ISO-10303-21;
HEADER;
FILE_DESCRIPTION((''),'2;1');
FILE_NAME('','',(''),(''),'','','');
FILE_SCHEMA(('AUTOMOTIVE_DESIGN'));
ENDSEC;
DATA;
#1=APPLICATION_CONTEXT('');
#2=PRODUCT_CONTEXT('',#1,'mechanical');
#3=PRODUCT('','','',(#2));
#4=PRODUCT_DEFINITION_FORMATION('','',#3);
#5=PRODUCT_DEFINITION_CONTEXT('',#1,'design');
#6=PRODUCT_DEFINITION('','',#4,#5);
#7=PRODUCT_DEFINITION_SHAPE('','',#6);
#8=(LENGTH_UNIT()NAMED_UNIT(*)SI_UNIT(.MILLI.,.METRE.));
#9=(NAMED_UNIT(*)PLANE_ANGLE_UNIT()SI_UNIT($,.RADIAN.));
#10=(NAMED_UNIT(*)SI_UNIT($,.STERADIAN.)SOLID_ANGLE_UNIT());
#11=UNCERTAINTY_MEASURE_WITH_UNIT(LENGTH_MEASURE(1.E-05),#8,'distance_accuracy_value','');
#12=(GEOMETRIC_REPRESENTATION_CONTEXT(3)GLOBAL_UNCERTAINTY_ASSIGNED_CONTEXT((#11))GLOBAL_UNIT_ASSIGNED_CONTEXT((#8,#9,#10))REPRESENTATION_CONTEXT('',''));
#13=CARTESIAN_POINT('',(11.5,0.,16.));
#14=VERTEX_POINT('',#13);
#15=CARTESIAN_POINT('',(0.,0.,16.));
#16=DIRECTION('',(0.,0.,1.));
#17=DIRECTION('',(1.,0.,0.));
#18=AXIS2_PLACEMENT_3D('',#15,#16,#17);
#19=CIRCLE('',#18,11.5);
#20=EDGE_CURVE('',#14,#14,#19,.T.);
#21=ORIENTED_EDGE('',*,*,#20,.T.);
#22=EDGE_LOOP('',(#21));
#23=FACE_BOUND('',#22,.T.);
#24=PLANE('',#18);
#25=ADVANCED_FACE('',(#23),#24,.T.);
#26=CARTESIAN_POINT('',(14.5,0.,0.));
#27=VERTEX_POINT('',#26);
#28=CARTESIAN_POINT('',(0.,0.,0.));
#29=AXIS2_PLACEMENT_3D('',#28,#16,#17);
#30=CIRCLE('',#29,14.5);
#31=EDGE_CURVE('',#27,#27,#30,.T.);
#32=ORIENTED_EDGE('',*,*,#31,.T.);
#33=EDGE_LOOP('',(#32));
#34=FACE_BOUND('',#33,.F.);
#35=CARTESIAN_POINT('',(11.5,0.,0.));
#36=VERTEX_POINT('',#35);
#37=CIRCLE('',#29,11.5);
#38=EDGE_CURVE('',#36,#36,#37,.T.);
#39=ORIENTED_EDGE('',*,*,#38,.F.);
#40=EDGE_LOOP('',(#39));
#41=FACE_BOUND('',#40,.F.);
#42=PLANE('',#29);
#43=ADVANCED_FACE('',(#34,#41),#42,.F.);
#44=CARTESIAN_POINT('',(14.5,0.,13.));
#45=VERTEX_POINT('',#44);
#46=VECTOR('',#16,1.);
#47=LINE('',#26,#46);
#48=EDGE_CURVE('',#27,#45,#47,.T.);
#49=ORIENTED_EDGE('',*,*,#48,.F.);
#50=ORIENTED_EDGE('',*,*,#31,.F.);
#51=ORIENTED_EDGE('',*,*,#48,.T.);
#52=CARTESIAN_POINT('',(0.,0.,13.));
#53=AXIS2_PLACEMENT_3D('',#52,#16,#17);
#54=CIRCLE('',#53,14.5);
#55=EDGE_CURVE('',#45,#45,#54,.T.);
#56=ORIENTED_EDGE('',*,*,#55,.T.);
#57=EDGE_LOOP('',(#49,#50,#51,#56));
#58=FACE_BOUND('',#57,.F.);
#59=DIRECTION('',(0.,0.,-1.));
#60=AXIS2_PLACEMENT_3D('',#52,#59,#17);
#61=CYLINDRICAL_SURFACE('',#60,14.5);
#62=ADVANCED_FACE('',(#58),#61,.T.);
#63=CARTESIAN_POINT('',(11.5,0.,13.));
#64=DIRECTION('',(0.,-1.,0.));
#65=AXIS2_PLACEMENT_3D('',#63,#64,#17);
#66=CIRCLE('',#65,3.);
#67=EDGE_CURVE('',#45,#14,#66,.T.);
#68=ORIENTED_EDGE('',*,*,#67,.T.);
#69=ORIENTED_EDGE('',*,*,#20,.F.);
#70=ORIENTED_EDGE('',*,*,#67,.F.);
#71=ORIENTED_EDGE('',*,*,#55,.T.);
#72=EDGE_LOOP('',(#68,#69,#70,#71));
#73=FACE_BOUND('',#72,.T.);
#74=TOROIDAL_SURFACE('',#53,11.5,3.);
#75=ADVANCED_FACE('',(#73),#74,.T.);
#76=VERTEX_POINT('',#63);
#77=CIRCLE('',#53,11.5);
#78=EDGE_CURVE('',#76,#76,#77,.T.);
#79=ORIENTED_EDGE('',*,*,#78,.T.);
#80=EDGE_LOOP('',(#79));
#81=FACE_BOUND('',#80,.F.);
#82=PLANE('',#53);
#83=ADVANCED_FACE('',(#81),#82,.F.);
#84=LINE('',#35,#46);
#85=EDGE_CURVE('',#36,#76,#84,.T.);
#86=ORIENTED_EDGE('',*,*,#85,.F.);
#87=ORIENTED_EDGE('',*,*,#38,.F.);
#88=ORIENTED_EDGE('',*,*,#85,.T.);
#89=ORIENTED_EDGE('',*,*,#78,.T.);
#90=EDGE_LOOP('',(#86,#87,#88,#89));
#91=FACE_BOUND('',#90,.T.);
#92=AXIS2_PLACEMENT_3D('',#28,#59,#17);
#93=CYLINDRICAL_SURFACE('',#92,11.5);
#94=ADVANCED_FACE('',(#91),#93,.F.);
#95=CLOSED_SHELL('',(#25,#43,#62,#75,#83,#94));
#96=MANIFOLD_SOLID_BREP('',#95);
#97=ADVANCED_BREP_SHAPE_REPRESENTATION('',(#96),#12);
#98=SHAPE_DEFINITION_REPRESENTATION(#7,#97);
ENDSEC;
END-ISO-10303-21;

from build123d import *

# Parameters (mm, degrees)
F0_R     = 14.5
F0_R_2   = 11.5
F1_DEPTH = 13
F2_R     = 14.5
F2_R_2   = 11.5
F3_DEPTH = 3
F4_R     = 3


with BuildPart() as f1:
    # F0 (on Top) → F1 (new body)
    with BuildSketch(Plane.XY):
        Circle(F0_R)
        Circle(F0_R_2, mode=Mode.SUBTRACT)
    extrude(amount=F1_DEPTH)

    # F2 (on face) → F3 (join)
    with BuildSketch(Plane.XY.offset(13)):
        Circle(F2_R)
        Circle(F2_R_2, mode=Mode.SUBTRACT)
        Circle(F2_R_2)
    extrude(amount=F3_DEPTH)

    # F4
    f4_edges = [f1.edges().sort_by_distance(p)[0] for p in [
        (-14.5, 0, 16),
    ]]
    fillet(f4_edges, radius=F4_R)


solid = f1.part
